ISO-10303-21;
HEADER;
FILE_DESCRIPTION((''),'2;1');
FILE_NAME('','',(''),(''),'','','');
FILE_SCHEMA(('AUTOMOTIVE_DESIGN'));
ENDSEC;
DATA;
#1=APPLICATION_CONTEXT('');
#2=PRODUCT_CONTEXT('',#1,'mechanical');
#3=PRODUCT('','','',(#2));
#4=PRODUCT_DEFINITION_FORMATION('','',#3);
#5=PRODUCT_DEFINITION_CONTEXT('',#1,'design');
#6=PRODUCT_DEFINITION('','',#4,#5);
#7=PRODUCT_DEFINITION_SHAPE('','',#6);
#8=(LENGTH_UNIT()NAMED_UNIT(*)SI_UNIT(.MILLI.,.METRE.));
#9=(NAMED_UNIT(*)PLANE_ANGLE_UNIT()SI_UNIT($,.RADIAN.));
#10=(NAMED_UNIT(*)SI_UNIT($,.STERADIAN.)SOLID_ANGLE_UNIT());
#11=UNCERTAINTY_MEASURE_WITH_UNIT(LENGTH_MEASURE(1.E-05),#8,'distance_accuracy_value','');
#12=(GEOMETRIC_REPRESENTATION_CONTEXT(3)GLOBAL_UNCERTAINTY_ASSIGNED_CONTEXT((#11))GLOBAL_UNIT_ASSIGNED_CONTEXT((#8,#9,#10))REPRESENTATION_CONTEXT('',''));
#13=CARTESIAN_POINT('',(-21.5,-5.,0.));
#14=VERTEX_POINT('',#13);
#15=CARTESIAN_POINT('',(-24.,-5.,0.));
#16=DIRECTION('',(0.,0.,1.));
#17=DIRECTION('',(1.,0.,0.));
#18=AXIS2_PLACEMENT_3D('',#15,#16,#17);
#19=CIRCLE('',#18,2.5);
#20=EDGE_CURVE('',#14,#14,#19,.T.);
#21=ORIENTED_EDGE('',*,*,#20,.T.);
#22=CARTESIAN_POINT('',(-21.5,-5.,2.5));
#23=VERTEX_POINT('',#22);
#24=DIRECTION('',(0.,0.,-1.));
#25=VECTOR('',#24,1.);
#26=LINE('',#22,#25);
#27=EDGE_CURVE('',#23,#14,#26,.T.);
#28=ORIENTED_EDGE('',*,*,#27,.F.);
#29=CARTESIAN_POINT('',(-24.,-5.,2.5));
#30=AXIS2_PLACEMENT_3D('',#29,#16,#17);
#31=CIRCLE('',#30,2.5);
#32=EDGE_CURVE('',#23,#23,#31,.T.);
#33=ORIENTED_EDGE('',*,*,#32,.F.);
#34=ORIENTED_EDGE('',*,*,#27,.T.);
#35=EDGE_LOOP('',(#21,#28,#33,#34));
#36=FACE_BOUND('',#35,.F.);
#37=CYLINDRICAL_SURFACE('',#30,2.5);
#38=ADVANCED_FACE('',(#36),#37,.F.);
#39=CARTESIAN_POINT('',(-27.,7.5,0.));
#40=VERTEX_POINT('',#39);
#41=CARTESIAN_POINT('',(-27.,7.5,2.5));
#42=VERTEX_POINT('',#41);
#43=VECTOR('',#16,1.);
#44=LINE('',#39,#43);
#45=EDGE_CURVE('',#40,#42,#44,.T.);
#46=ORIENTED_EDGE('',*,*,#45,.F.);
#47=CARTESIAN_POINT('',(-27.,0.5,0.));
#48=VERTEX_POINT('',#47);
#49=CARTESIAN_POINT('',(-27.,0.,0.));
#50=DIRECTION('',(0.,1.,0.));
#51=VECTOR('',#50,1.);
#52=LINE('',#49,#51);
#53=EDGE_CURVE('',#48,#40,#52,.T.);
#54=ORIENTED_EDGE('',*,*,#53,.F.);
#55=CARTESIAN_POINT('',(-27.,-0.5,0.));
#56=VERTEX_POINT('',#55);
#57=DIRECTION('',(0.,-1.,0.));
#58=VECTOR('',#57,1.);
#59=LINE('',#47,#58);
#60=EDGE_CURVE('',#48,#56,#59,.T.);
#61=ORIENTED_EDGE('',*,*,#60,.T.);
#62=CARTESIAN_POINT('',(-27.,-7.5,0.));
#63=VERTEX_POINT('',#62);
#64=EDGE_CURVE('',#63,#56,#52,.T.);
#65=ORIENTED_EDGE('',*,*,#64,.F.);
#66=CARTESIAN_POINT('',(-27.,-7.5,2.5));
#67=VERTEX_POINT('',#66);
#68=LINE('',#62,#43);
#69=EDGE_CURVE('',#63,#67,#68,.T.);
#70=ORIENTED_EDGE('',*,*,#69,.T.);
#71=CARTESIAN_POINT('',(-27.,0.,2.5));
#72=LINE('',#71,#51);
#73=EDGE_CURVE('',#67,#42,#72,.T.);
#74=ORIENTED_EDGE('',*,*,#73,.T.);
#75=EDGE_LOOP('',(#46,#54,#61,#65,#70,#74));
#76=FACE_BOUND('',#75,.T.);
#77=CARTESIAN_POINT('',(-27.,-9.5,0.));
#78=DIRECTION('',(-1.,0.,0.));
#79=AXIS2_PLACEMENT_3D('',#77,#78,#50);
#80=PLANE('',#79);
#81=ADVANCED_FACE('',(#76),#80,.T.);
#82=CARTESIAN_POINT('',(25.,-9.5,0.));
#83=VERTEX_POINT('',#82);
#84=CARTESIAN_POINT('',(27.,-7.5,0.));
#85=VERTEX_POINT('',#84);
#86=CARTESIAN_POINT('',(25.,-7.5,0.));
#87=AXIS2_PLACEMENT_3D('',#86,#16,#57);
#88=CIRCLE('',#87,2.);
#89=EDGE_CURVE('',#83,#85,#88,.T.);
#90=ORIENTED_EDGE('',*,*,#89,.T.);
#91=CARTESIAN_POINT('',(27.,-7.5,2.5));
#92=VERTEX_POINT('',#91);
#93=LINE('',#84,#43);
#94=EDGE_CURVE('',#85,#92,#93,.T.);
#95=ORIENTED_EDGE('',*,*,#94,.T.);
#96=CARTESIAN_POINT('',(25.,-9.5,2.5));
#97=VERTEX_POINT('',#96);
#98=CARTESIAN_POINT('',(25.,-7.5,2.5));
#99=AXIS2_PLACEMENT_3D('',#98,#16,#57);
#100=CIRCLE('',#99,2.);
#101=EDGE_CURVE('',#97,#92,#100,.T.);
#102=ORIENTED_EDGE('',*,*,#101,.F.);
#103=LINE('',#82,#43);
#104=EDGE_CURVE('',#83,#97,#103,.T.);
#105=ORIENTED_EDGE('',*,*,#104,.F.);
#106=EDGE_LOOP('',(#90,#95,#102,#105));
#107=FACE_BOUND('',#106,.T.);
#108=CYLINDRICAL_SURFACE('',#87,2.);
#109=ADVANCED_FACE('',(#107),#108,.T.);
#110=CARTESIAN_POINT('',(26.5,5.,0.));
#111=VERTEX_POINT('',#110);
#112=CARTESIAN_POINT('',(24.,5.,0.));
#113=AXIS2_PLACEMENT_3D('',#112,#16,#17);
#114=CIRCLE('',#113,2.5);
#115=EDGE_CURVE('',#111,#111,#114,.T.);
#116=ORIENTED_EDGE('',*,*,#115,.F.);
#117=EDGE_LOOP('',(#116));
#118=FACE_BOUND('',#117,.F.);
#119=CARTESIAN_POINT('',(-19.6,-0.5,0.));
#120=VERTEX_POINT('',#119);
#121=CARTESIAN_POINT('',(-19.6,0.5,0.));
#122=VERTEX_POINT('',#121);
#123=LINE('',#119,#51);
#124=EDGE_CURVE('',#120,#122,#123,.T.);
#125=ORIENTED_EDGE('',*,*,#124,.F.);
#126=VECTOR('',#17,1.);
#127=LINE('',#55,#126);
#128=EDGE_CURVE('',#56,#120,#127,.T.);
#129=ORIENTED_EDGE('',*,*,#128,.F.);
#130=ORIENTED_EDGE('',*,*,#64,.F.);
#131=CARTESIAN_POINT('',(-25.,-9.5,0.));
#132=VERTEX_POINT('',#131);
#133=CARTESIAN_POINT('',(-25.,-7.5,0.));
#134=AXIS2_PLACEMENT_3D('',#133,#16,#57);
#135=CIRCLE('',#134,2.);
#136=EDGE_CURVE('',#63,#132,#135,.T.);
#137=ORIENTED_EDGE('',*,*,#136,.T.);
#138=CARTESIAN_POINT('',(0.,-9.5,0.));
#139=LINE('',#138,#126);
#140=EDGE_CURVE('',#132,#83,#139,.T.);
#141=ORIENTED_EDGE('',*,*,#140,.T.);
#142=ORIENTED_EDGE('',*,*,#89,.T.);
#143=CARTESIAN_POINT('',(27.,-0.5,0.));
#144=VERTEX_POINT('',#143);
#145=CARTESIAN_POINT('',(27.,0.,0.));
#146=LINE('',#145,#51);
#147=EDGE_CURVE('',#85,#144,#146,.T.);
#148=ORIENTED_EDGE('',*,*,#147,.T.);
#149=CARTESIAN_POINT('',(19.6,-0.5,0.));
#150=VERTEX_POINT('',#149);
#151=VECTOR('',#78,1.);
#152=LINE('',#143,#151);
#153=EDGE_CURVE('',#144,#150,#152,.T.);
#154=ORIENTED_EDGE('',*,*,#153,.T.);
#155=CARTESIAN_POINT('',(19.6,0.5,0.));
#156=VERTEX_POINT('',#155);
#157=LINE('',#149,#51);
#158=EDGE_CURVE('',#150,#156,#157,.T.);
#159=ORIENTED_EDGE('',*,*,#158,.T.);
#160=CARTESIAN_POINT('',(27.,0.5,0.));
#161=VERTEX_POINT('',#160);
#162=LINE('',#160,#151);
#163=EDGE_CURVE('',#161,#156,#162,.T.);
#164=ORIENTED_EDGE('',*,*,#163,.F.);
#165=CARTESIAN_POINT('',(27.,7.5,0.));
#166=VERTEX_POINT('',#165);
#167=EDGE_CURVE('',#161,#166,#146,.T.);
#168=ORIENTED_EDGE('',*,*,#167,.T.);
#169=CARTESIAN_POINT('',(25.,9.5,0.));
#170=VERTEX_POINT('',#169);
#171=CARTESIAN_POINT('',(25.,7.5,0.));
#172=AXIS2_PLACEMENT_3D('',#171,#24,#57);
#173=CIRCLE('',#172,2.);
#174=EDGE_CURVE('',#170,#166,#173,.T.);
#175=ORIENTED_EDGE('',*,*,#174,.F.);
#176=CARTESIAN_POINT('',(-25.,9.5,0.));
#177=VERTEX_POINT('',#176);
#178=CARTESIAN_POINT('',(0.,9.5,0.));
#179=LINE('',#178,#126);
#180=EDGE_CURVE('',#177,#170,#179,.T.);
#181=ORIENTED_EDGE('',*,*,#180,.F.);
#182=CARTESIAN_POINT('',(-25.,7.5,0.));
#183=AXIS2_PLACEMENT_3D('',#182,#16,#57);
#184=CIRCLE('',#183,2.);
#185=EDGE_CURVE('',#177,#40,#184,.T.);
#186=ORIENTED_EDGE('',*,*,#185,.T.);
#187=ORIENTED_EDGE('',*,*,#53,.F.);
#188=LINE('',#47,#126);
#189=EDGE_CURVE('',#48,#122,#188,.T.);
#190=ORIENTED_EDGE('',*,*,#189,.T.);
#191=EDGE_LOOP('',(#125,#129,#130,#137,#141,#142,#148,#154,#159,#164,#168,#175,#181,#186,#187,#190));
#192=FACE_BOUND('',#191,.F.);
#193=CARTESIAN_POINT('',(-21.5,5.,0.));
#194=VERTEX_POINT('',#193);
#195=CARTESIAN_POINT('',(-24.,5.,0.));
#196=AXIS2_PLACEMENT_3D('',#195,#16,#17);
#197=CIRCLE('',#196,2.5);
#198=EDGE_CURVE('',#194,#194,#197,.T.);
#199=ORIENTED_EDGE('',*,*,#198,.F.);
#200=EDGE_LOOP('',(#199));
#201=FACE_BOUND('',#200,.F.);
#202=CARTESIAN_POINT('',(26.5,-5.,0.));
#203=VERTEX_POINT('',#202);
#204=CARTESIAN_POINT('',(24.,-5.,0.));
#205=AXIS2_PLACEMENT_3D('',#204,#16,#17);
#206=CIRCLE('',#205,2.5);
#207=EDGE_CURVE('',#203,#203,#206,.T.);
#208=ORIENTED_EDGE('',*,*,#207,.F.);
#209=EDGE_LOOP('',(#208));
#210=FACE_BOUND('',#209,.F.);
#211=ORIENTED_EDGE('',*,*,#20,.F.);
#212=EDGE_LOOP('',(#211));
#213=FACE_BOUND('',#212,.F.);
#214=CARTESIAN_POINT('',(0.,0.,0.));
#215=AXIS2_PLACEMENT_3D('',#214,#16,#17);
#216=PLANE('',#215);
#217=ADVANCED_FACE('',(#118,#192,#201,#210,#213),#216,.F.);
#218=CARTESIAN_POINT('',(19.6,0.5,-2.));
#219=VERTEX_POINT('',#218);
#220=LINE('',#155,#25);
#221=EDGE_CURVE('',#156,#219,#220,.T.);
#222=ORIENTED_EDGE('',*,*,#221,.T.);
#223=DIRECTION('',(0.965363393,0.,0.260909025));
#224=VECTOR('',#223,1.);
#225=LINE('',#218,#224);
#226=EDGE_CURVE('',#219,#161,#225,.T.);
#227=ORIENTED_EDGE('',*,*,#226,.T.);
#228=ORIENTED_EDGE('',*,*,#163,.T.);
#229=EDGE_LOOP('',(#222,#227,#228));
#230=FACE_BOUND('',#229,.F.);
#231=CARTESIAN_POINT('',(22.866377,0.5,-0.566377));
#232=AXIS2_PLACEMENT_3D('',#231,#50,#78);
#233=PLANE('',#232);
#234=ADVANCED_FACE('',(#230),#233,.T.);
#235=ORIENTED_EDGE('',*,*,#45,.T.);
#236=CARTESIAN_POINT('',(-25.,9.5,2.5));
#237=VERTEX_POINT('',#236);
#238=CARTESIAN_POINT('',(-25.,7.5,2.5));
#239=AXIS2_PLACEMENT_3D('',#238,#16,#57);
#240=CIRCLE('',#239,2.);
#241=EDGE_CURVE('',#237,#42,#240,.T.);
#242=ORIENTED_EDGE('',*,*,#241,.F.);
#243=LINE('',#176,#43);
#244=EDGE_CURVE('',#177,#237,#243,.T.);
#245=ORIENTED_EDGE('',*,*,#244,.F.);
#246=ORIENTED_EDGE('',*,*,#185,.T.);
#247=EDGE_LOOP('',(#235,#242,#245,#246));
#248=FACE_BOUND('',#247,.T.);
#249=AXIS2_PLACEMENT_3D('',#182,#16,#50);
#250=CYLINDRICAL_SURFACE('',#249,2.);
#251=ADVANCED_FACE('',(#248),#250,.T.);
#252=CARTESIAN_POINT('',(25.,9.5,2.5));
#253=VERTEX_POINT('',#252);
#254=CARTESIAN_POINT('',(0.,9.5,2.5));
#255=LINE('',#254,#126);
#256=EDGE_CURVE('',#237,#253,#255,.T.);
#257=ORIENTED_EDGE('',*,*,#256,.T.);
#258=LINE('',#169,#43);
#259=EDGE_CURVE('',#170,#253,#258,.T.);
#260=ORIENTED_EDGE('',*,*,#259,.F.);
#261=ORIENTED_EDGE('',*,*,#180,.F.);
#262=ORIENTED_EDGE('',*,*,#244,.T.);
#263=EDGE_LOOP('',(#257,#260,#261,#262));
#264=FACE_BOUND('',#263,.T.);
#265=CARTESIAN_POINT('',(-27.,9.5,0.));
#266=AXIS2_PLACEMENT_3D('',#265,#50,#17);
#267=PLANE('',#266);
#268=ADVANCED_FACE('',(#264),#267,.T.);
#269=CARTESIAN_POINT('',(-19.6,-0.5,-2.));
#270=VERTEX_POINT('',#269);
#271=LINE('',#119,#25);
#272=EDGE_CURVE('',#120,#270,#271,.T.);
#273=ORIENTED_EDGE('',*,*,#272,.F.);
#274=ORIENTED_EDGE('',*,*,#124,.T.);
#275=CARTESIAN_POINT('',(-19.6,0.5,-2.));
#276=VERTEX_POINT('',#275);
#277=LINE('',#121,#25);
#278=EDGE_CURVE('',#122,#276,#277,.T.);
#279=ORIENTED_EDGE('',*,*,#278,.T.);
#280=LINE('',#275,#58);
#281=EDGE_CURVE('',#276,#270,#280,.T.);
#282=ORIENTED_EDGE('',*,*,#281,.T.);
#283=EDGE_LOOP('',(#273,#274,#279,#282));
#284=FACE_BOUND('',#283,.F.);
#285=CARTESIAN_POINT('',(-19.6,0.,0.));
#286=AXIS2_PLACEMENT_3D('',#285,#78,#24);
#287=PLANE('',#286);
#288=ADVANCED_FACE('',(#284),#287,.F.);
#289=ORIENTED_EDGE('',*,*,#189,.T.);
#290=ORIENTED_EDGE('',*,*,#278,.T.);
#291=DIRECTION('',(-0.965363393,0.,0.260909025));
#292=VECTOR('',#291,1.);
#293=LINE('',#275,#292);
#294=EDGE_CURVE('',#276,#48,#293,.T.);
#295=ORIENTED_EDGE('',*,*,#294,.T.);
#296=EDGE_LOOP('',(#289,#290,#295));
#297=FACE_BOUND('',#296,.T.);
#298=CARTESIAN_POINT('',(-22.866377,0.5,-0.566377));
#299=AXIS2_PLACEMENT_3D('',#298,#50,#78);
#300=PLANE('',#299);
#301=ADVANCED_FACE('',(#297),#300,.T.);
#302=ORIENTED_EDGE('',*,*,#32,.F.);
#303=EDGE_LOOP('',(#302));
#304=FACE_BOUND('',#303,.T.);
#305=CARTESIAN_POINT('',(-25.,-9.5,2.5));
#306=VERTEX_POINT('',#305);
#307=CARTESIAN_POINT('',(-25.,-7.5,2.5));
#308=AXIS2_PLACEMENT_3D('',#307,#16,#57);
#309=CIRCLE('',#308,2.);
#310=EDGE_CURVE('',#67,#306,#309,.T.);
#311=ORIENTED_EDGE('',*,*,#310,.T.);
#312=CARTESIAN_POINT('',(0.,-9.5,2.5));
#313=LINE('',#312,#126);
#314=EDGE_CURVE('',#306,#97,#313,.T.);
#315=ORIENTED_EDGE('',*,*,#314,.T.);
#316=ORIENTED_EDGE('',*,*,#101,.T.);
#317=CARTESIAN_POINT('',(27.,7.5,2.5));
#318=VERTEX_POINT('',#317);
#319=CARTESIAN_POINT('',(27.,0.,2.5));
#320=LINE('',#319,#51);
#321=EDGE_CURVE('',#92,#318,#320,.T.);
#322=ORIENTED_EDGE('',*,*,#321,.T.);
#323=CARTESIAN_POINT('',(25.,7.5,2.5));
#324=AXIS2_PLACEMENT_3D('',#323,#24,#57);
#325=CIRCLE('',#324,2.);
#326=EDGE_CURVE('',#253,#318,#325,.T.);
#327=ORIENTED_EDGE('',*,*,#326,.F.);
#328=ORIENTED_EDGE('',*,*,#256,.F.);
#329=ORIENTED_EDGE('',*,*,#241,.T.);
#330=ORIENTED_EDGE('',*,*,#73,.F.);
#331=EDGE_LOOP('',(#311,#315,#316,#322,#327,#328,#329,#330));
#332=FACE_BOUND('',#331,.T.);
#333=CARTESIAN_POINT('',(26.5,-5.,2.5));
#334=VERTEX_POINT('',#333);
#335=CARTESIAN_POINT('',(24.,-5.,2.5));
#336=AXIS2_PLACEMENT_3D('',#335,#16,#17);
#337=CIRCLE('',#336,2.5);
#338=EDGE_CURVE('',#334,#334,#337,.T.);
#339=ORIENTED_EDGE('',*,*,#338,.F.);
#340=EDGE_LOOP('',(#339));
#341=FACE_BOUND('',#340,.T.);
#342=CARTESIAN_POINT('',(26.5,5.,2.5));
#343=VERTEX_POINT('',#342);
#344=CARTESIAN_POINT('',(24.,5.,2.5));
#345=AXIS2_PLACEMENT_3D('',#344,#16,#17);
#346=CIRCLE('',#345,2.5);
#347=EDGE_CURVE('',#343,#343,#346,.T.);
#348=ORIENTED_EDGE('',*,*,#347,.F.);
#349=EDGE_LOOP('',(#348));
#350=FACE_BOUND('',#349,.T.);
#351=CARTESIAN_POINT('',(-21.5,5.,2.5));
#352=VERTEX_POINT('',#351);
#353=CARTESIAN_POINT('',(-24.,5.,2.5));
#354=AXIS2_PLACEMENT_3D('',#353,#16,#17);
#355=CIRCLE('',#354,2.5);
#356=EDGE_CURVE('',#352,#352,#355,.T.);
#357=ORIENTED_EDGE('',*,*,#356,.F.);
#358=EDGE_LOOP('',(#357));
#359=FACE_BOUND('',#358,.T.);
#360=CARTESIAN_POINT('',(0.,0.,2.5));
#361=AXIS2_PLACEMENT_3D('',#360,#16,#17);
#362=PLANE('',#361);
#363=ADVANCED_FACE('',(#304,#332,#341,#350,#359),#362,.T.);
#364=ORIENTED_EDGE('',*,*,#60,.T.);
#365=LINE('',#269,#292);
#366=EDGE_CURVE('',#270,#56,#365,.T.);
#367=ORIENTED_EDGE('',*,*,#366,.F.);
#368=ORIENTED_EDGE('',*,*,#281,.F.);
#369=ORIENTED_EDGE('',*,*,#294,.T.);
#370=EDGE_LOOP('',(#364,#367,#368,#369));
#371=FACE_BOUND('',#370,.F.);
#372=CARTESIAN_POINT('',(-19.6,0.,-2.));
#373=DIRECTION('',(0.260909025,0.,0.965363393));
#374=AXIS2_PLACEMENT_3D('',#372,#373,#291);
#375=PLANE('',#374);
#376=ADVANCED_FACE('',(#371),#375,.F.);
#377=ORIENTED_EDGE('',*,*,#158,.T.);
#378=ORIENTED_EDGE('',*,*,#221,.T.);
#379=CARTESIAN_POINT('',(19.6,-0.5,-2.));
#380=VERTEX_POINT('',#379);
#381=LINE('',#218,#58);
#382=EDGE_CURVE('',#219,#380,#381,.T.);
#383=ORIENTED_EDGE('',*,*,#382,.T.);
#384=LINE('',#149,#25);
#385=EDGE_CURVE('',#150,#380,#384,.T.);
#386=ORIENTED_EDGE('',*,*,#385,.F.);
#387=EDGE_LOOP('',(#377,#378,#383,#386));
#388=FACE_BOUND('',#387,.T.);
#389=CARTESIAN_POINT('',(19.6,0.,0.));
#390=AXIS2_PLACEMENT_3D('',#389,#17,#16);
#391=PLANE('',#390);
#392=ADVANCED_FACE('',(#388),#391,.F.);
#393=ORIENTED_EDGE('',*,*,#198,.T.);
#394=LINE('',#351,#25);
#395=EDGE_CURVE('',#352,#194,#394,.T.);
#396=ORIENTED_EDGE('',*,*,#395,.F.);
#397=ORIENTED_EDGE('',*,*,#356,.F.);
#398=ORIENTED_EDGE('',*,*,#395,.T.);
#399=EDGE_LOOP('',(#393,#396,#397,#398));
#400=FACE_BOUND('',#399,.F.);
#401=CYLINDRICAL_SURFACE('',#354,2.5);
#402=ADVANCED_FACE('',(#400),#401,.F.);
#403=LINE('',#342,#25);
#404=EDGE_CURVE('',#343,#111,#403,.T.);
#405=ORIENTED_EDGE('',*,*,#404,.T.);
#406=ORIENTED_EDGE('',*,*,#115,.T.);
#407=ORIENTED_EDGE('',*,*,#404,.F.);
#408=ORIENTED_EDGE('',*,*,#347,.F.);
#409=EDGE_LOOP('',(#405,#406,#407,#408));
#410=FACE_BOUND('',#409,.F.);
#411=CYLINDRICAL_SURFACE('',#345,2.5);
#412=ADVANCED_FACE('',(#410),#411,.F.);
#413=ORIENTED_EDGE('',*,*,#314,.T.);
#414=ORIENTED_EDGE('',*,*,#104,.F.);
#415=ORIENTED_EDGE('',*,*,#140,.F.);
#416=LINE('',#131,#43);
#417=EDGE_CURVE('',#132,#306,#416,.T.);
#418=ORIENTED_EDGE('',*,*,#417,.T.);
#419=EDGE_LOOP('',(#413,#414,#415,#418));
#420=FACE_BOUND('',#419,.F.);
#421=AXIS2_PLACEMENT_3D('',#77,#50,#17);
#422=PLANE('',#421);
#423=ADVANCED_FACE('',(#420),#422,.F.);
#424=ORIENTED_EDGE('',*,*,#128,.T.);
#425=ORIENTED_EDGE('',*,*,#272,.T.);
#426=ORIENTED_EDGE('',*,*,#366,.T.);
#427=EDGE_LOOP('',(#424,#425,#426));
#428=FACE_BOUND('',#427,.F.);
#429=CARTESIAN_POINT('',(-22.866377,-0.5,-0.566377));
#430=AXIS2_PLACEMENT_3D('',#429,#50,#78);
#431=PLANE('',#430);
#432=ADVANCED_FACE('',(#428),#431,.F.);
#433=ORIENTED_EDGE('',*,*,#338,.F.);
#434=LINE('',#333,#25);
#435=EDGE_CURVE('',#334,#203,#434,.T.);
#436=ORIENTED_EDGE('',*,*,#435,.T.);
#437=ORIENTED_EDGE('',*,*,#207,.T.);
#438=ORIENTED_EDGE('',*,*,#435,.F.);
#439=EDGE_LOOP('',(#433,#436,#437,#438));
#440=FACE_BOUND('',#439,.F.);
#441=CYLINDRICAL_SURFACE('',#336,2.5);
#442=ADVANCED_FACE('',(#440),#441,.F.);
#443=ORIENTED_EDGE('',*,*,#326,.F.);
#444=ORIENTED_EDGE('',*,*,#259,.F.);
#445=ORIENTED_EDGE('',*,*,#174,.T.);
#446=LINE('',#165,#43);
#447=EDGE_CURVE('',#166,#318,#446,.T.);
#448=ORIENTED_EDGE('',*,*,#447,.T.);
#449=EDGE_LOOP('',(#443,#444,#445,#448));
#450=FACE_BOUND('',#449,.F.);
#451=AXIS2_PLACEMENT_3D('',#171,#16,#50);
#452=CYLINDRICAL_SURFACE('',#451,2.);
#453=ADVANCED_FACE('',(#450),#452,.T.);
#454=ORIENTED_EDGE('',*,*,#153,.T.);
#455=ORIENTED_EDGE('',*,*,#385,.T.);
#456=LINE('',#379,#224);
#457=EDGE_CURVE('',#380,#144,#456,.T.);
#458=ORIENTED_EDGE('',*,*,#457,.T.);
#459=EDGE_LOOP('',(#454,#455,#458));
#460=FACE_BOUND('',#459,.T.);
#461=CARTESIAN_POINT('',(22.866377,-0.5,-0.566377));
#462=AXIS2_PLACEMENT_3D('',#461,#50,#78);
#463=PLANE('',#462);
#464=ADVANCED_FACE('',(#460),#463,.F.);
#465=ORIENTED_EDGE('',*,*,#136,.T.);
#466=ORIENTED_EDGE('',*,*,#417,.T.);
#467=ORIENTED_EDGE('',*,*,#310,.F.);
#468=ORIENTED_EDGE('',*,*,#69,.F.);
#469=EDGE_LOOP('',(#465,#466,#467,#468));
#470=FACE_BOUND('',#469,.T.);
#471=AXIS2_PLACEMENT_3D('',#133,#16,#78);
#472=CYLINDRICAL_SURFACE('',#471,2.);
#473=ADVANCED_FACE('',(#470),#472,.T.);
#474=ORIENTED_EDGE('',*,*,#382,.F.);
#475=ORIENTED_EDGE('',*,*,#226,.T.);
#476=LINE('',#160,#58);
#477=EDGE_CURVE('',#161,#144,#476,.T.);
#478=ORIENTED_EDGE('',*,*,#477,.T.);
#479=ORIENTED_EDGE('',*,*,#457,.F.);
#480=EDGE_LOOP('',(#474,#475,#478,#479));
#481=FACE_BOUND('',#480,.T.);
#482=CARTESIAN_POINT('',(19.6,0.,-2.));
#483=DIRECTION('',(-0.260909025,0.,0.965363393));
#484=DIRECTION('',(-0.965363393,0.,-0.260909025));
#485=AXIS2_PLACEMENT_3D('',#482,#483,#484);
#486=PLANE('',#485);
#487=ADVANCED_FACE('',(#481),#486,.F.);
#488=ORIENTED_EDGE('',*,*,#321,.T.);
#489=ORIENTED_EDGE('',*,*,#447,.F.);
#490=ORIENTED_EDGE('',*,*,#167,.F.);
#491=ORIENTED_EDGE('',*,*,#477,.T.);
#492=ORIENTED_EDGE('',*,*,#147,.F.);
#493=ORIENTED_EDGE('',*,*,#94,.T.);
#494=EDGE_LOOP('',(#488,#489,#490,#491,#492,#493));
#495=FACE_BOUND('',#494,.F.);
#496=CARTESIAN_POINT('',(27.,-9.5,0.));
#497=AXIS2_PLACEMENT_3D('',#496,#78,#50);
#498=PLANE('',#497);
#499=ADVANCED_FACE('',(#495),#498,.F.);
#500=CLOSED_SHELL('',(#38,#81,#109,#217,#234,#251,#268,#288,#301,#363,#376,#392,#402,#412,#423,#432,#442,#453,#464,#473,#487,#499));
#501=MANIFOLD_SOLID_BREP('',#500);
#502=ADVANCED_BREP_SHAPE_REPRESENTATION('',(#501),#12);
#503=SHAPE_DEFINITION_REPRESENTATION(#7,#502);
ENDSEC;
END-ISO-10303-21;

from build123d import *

# Parameters (mm, degrees)
SKETCH008_W     = 54
SKETCH008_H     = 19
PAD006_DEPTH    = 2.5
SKETCH009_R     = 2.5
POCKET002_DEPTH = 2.501
FILLET007_R     = 2
FILLET008_R     = 2
FILLET009_R     = 2
FILLET010_R     = 2
PAD007_DEPTH    = 0.5


with BuildPart() as part:
    # Sketch008 → Pad006 (new body)
    with BuildSketch(Plane.XY):
        Rectangle(SKETCH008_W, SKETCH008_H)
    extrude(amount=PAD006_DEPTH)

    # Sketch009 (on Face6 of Pad006) → Pocket002 (cut, through all)
    with BuildSketch(Plane.XY.offset(2.5)):
        with Locations((-24, 5)):
            Circle(SKETCH009_R)
        with Locations((24, 5)):
            Circle(SKETCH009_R)
        with Locations((24, -5)):
            Circle(SKETCH009_R)
        with Locations((-24, -5)):
            Circle(SKETCH009_R)
    extrude(amount=-POCKET002_DEPTH, mode=Mode.SUBTRACT)

    # Fillet007
    fillet007_edges = [part.edges().sort_by_distance(p)[0] for p in [
        (27, 9.5, 1.25),
    ]]
    fillet(fillet007_edges, radius=FILLET007_R)

    # Fillet008
    fillet008_edges = [part.edges().sort_by_distance(p)[0] for p in [
        (-27, 9.5, 1.25),
    ]]
    fillet(fillet008_edges, radius=FILLET008_R)

    # Fillet009
    fillet009_edges = [part.edges().sort_by_distance(p)[0] for p in [
        (-27, -9.5, 1.25),
    ]]
    fillet(fillet009_edges, radius=FILLET009_R)

    # Fillet010
    fillet010_edges = [part.edges().sort_by_distance(p)[0] for p in [
        (27, -9.5, 1.25),
    ]]
    fillet(fillet010_edges, radius=FILLET010_R)

    # Sketch010 → Pad007 (join, symmetric)
    with BuildSketch(Plane.XZ):
        Polygon((-27, 0), (-19.6, 0), (-19.6, -2), align=None)
    pad007 = extrude(amount=PAD007_DEPTH, both=True)

    # Mirrored: Pad007 across Sketch010 V_Axis
    add(pad007.mirror(Plane(origin=(0, 0, 0), x_dir=(0, -1, 0), z_dir=(1, 0, 0))))


solid = part.part
